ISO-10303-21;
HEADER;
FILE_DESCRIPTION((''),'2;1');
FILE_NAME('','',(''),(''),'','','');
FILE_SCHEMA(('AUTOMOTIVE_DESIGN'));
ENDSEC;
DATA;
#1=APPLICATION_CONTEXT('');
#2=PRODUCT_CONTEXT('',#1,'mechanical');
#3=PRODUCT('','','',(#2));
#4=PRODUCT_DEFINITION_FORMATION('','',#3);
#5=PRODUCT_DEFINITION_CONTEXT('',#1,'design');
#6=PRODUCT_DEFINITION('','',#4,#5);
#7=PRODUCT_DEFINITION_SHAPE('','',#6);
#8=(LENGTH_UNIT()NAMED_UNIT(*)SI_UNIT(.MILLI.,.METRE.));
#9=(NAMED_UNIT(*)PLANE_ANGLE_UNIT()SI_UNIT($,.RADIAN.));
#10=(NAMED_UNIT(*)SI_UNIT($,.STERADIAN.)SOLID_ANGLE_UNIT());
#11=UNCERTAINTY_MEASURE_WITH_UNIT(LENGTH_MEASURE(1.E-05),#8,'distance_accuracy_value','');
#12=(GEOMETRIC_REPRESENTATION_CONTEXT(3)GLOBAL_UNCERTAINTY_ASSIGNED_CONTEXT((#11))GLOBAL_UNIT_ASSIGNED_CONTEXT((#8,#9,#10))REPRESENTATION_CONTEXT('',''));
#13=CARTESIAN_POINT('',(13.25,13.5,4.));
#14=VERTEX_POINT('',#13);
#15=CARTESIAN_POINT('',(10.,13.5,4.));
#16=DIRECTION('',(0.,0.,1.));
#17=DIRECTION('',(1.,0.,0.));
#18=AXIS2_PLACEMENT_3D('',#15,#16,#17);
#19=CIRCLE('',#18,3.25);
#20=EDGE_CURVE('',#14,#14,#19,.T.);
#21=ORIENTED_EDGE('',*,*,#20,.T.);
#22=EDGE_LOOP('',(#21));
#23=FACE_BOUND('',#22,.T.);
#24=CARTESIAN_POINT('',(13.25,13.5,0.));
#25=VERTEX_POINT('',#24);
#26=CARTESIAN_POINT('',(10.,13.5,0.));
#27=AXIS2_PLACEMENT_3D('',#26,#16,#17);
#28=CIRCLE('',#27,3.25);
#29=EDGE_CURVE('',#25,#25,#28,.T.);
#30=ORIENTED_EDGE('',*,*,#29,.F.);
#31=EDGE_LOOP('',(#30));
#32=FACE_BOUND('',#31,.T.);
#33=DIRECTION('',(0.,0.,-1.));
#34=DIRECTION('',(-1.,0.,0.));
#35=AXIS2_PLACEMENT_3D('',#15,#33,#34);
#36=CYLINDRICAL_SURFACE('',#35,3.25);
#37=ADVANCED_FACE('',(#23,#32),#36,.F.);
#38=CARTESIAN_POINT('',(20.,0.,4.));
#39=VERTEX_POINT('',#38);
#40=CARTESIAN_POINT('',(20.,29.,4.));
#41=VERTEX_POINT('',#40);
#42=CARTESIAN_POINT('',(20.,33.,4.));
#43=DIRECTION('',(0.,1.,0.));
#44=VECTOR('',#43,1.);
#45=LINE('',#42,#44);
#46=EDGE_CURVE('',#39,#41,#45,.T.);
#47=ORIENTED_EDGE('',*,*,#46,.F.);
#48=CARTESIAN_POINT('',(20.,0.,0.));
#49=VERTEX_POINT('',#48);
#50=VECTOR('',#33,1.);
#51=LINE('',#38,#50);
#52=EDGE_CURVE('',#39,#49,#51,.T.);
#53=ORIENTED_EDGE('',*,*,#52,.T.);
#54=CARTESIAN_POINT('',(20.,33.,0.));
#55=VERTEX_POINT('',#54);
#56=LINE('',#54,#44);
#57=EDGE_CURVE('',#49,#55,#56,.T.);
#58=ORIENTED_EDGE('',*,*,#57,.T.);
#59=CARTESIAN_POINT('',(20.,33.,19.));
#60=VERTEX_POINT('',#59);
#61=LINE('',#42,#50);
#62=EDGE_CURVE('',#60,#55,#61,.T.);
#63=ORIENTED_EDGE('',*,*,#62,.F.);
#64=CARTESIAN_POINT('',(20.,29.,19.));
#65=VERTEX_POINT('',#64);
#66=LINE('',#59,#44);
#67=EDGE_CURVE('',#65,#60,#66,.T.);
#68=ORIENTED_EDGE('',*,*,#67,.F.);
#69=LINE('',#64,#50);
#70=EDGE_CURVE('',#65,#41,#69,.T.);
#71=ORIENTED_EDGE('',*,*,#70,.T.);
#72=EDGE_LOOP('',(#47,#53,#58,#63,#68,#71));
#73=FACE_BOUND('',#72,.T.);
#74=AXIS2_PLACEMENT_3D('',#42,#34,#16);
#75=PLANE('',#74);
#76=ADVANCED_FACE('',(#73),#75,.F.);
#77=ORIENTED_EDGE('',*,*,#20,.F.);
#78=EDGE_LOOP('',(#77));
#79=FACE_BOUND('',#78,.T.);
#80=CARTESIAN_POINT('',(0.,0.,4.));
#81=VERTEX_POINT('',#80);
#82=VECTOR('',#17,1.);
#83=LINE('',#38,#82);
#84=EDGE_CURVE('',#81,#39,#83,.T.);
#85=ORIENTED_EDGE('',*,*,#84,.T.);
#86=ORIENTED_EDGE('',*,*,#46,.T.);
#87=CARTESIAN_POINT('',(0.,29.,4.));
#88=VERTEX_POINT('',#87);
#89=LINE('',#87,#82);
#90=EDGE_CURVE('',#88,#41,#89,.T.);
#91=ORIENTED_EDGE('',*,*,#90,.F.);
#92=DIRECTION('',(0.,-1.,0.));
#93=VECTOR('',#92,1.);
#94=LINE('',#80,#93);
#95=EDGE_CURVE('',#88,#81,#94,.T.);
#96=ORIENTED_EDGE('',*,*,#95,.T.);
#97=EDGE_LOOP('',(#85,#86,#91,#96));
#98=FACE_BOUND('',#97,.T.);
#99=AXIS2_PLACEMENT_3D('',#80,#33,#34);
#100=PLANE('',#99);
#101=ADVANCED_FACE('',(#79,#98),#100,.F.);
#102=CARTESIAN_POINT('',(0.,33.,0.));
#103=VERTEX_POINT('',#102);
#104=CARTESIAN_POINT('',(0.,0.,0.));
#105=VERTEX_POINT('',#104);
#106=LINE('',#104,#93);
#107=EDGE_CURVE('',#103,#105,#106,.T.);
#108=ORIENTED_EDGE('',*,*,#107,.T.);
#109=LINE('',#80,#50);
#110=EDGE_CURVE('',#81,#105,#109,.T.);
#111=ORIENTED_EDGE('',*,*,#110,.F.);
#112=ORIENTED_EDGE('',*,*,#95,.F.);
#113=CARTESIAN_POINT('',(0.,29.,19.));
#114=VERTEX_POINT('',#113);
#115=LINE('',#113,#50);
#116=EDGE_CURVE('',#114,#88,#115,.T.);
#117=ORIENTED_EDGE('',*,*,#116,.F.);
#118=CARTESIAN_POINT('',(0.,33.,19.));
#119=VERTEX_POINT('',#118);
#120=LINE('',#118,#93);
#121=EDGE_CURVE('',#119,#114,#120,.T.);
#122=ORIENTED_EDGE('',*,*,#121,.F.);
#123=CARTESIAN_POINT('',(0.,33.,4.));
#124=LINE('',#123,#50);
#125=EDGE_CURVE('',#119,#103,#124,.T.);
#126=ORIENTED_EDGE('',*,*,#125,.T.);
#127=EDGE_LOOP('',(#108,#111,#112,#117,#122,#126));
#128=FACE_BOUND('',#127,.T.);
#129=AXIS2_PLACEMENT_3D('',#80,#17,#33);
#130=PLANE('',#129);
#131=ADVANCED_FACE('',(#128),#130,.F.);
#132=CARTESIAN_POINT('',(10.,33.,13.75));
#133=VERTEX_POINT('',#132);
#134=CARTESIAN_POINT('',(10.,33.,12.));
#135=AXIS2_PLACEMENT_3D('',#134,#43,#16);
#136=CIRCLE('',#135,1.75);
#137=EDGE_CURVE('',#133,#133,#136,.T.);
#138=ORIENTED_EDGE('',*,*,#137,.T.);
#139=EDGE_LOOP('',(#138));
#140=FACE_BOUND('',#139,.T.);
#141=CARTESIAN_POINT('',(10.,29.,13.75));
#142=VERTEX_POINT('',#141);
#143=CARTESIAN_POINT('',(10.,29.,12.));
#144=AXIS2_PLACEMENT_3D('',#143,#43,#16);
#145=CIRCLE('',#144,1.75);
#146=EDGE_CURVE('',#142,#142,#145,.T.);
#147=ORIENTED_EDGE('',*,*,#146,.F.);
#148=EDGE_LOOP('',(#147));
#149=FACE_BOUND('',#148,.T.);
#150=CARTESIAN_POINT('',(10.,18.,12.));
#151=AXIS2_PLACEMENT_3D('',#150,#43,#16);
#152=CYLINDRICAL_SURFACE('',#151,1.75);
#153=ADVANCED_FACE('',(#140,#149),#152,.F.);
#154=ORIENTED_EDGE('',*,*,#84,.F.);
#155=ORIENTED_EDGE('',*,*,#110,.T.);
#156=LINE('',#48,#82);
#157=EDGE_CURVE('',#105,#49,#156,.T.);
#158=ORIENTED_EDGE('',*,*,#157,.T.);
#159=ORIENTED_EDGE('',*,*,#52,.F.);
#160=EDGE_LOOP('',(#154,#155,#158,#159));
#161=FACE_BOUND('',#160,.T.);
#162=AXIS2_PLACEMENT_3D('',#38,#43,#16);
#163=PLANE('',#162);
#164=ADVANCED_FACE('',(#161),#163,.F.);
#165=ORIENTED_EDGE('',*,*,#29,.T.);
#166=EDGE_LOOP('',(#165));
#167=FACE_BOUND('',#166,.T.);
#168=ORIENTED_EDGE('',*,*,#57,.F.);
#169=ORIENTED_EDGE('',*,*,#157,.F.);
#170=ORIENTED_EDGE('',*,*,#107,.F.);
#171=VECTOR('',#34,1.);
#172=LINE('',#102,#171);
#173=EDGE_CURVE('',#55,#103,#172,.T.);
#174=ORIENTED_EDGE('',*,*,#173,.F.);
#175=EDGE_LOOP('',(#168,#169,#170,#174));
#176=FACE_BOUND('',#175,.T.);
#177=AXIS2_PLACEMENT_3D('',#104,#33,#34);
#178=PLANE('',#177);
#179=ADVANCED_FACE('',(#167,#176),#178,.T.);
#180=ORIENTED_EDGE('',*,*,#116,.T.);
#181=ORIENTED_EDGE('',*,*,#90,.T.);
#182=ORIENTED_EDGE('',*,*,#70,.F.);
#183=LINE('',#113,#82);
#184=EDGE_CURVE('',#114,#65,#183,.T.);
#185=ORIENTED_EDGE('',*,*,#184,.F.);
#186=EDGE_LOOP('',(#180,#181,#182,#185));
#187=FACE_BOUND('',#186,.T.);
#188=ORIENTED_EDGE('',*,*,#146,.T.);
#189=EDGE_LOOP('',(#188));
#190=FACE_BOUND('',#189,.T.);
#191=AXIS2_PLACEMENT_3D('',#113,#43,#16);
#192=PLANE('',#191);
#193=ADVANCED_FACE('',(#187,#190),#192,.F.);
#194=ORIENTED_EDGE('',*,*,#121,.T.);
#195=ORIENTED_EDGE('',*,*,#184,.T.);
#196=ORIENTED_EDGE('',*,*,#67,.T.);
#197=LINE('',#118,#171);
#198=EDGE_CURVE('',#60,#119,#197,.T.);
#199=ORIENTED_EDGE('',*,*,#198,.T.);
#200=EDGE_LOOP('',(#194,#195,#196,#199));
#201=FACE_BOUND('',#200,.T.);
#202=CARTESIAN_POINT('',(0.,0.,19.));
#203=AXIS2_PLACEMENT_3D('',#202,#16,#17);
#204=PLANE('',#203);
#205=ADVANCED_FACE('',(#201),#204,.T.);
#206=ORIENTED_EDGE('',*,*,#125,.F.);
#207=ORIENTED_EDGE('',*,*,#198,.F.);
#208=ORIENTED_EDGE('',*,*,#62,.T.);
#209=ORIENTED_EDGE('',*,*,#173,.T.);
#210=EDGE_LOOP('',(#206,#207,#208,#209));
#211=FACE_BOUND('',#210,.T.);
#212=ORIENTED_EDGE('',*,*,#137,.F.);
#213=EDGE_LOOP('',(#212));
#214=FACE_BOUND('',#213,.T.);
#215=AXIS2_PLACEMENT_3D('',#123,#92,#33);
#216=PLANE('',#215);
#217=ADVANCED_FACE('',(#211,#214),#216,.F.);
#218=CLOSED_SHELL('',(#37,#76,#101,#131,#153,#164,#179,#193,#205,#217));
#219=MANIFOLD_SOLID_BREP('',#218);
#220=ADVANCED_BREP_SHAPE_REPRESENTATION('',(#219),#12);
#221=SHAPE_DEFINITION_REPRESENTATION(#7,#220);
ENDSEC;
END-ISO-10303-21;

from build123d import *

# Parameters (mm, degrees)
IZIM1_W                     = 20
IZIM1_H                     = 33
IZIM1_R                     = 3.25
Y_KSEKLIK_EKSTR_ZYON1_DEPTH = 4
IZIM2_W                     = 20
IZIM2_H                     = 4
Y_KSEKLIK_EKSTR_ZYON2_DEPTH = 15
IZIM3_R                     = 1.75
KES_EKSTR_ZYON1_DEPTH       = 15


with BuildPart() as part:
    # Çizim1 → Yükseklik-Ekstrüzyon1 (new body)
    with BuildSketch(Plane.XY):
        with Locations((10, 16.5)):
            Rectangle(IZIM1_W, IZIM1_H)
        with Locations((10, 13.5)):
            Circle(IZIM1_R, mode=Mode.SUBTRACT)
    extrude(amount=Y_KSEKLIK_EKSTR_ZYON1_DEPTH)

    # Çizim2 → Yükseklik-Ekstrüzyon2 (add)
    with BuildSketch(Plane.XY.offset(4)):
        with Locations((10, 31)):
            Rectangle(IZIM2_W, IZIM2_H)
    extrude(amount=Y_KSEKLIK_EKSTR_ZYON2_DEPTH)

    # Çizim3 → Kes-Ekstrüzyon1 (cut)
    with BuildSketch(Plane(origin=(0, 33, 0), x_dir=(1, 0, 0), z_dir=(0, 1, 0))):
        with Locations(Location((10, -12, 0), (0, 0, 270))):
            Circle(IZIM3_R)
    extrude(amount=-KES_EKSTR_ZYON1_DEPTH, mode=Mode.SUBTRACT)


solid = part.part
